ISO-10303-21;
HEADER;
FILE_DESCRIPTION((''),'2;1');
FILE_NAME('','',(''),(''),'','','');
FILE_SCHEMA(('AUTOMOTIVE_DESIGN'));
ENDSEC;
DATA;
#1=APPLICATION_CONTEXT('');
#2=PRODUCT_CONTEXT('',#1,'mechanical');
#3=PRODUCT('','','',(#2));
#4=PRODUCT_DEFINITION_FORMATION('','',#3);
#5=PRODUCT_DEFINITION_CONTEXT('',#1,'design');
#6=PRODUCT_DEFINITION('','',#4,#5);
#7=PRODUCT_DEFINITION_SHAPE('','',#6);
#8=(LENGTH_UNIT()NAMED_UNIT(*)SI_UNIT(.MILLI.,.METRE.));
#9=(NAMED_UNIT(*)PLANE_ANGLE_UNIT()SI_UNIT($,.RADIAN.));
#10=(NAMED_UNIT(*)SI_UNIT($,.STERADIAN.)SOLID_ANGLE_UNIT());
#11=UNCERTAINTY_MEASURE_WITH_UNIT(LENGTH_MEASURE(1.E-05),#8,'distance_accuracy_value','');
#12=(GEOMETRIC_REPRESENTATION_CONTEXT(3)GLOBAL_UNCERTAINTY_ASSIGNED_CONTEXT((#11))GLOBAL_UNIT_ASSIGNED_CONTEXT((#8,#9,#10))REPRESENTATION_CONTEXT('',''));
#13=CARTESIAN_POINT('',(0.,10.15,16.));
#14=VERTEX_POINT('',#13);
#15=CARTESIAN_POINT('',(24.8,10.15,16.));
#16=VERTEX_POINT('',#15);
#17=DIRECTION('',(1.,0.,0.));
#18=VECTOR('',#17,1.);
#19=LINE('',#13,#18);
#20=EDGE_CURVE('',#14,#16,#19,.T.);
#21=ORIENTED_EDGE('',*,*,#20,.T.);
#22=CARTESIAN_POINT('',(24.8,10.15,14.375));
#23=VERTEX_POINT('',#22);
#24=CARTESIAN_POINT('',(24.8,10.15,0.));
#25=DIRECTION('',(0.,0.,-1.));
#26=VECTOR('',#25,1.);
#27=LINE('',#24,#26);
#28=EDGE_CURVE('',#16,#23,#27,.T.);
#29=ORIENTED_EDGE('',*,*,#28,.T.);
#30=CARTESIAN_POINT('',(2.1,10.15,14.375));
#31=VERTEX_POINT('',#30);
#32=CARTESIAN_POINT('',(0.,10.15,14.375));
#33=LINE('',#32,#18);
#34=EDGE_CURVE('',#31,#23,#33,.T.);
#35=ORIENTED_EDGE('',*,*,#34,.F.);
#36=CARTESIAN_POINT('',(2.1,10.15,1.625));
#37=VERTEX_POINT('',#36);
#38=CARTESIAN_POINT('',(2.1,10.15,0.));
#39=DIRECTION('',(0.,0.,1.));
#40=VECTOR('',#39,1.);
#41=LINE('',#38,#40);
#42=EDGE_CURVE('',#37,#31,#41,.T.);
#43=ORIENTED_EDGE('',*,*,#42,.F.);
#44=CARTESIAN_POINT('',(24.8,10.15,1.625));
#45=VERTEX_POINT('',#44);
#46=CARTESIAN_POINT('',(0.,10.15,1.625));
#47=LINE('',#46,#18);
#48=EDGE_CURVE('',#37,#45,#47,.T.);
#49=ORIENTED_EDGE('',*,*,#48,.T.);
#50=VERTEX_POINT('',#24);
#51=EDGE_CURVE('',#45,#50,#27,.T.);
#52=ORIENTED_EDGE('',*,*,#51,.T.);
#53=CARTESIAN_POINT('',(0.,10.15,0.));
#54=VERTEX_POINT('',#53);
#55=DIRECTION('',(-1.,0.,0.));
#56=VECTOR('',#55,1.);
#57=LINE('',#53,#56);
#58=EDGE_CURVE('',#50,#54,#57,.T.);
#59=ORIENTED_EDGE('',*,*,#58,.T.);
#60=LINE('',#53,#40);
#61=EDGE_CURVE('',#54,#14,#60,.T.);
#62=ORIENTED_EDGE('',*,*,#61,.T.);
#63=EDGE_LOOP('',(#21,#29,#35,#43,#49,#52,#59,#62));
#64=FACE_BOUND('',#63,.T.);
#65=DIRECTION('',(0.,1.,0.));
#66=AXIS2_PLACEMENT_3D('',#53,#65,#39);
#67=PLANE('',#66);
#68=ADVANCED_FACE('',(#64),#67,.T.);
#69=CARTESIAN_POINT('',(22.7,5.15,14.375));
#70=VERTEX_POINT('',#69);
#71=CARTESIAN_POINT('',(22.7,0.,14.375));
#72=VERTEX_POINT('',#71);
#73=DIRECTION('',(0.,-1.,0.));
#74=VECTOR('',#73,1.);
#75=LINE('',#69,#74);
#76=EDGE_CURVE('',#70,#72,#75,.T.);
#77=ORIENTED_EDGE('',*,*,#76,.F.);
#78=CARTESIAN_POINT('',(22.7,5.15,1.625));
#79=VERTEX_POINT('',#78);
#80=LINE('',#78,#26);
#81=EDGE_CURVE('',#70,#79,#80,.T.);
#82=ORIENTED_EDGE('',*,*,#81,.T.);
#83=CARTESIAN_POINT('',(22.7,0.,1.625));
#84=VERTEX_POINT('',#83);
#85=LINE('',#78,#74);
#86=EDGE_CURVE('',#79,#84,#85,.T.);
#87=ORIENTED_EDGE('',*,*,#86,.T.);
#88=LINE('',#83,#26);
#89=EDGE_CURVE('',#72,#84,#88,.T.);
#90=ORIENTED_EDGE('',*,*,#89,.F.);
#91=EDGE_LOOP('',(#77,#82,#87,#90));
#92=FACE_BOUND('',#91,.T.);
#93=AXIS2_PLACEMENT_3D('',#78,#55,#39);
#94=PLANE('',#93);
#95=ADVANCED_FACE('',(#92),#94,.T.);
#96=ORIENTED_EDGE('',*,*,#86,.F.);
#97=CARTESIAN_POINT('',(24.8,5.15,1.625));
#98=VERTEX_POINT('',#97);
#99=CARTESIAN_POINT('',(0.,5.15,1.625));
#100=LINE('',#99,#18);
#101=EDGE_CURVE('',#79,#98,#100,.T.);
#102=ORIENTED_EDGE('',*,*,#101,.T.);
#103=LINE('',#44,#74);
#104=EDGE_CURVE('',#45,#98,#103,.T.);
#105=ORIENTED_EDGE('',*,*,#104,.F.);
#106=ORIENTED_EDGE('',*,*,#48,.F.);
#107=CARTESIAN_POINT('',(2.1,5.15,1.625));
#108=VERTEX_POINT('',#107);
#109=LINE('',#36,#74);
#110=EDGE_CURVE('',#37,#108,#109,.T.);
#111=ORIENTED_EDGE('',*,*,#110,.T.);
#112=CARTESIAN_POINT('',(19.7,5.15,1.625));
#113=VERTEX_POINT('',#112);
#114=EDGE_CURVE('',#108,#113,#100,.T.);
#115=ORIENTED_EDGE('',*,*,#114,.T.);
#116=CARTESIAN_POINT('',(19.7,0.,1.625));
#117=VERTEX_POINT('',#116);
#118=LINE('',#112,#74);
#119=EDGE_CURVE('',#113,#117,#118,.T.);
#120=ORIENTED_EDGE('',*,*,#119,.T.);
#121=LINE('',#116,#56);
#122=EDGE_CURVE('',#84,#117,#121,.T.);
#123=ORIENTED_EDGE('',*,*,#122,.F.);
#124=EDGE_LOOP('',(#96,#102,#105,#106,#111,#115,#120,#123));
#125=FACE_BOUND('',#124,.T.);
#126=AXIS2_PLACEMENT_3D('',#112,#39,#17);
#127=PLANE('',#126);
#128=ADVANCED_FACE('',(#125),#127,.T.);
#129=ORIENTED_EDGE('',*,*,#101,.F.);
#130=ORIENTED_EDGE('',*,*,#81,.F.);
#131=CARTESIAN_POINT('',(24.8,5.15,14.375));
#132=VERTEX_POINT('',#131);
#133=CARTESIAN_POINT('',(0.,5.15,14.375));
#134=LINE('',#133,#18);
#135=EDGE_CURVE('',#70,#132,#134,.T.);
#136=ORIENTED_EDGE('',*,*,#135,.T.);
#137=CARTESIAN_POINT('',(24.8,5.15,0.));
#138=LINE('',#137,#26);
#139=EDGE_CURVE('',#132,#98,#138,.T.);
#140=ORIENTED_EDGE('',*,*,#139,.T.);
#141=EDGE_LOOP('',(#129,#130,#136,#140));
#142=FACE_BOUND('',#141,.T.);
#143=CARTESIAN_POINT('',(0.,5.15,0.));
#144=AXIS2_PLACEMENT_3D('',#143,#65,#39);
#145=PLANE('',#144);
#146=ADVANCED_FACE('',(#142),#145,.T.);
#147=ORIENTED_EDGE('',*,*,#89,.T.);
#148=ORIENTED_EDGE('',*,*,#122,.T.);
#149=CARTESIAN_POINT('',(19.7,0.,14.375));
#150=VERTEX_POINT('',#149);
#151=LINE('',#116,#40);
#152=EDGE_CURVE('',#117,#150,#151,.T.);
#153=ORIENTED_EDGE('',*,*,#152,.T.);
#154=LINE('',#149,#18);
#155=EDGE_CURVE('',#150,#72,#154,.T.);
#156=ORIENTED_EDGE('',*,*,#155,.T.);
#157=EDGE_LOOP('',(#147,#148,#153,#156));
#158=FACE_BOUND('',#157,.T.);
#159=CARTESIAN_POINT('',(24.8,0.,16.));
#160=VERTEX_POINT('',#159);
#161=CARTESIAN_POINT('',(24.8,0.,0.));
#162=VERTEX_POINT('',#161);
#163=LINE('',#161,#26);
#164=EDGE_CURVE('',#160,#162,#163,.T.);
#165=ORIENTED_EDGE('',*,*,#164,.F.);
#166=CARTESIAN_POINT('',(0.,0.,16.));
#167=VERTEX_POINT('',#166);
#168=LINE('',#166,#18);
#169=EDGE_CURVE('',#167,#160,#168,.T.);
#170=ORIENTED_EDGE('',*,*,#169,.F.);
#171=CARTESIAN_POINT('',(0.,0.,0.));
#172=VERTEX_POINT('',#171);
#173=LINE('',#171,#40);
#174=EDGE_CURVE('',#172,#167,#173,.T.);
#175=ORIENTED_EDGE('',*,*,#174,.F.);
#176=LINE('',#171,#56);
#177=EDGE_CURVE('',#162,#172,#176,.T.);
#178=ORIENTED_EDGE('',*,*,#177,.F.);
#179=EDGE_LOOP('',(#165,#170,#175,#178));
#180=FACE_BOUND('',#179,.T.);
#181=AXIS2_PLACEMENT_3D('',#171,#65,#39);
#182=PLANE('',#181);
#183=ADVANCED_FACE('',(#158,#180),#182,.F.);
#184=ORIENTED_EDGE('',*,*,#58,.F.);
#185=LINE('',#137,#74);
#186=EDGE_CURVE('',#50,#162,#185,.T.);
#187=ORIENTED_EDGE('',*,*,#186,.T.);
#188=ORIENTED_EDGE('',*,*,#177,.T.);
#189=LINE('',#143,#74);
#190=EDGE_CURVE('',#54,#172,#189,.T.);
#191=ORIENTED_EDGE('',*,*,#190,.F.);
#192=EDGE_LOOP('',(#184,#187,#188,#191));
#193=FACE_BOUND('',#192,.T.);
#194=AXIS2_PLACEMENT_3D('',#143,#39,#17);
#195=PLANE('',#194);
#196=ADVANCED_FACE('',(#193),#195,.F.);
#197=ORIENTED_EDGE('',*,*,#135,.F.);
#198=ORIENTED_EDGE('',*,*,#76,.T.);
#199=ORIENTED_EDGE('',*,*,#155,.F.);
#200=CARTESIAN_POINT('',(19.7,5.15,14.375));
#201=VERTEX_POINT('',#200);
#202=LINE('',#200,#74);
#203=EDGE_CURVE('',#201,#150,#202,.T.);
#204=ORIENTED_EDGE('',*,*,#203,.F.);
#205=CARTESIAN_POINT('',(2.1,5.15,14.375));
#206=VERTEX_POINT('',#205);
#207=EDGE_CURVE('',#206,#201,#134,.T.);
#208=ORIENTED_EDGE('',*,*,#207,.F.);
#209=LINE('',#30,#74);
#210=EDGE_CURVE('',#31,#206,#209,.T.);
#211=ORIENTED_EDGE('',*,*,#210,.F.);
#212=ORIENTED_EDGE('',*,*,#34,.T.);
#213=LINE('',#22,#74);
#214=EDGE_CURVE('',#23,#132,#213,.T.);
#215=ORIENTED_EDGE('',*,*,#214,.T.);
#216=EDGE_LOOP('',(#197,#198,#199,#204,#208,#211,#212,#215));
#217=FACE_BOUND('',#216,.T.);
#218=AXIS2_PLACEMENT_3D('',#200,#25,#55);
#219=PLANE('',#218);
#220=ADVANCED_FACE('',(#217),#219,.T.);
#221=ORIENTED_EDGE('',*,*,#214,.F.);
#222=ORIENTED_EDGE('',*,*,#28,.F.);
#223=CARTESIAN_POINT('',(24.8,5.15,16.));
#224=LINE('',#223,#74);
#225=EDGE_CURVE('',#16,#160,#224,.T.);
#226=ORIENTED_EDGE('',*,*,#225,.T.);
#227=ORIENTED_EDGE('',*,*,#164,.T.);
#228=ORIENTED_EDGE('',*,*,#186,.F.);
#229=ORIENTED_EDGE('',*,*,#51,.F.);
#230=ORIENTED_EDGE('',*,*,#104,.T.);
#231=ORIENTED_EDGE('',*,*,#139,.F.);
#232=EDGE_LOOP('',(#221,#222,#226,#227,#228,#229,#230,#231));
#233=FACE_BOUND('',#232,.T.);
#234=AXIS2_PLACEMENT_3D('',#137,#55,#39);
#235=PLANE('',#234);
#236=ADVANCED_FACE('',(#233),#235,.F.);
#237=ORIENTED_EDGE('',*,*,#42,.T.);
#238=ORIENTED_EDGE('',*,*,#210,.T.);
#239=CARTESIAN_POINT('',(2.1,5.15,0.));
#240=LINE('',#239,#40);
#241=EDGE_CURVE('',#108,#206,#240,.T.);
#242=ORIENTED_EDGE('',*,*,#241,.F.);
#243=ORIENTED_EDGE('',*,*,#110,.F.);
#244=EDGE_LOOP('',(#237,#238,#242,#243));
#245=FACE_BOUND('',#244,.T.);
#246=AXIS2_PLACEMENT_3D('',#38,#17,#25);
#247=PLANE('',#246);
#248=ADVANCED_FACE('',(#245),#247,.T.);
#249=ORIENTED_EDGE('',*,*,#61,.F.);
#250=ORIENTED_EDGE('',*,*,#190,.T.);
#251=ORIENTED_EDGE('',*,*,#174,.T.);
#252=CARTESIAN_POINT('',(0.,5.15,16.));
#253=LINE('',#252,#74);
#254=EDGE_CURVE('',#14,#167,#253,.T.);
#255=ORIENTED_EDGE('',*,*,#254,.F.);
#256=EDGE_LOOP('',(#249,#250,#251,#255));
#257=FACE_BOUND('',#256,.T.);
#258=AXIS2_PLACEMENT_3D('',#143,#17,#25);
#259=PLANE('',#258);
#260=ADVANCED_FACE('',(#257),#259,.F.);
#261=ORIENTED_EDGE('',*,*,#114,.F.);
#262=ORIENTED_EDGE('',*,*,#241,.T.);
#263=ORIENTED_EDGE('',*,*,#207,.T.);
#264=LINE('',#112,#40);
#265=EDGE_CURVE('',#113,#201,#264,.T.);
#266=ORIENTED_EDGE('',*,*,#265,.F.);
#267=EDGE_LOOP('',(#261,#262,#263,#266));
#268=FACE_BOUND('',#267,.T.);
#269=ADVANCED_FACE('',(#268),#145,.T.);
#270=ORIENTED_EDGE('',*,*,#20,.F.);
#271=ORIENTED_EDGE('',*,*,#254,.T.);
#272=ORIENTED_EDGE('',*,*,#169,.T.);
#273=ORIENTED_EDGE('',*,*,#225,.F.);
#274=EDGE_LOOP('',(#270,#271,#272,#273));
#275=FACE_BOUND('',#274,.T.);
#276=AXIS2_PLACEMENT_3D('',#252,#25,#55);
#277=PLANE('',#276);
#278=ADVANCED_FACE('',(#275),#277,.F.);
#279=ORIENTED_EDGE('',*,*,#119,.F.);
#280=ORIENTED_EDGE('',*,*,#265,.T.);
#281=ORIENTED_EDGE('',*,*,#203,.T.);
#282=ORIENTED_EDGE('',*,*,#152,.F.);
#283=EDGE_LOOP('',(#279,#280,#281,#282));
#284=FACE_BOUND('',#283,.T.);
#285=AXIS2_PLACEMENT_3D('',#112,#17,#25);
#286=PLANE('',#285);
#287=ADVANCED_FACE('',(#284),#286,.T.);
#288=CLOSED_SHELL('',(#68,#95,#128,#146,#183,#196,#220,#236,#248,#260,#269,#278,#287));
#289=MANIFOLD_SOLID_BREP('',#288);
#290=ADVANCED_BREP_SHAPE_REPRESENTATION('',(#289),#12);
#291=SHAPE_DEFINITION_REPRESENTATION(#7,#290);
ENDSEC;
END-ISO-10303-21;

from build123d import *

# Parameters (mm, degrees)
SKETCH2_W           = 24.8
SKETCH2_H           = 16
SKETCH2_W_2         = 3
SKETCH2_H_2         = 12.75
BOSS_EXTRUDE1_DEPTH = 5.15
BOSS_EXTRUDE2_DEPTH = 5


with BuildPart() as part:
    # Sketch2 → Boss-Extrude1 (new body)
    with BuildSketch(Plane(origin=(0, 0, 0), x_dir=(1, 0, 0), z_dir=(0, 1, 0))):
        with Locations((12.4, -8)):
            Rectangle(SKETCH2_W, SKETCH2_H)
        with Locations((21.2, -8)):
            Rectangle(SKETCH2_W_2, SKETCH2_H_2, mode=Mode.SUBTRACT)
    extrude(amount=BOSS_EXTRUDE1_DEPTH)

    # Sketch4 → Boss-Extrude2 (add)
    with BuildSketch(Plane(origin=(0, 5.15, 0), x_dir=(1, 0, 0), z_dir=(0, 1, 0))):
        Polygon((2.1, -1.625), (19.7, -1.625), (22.7, -1.625), (24.8, -1.625), (24.8, 0), (0, 0), (0, -16), (24.8, -16), (24.8, -14.375), (22.7, -14.375), (19.7, -14.375), (2.1, -14.375), align=None)
    extrude(amount=BOSS_EXTRUDE2_DEPTH)


solid = part.part
